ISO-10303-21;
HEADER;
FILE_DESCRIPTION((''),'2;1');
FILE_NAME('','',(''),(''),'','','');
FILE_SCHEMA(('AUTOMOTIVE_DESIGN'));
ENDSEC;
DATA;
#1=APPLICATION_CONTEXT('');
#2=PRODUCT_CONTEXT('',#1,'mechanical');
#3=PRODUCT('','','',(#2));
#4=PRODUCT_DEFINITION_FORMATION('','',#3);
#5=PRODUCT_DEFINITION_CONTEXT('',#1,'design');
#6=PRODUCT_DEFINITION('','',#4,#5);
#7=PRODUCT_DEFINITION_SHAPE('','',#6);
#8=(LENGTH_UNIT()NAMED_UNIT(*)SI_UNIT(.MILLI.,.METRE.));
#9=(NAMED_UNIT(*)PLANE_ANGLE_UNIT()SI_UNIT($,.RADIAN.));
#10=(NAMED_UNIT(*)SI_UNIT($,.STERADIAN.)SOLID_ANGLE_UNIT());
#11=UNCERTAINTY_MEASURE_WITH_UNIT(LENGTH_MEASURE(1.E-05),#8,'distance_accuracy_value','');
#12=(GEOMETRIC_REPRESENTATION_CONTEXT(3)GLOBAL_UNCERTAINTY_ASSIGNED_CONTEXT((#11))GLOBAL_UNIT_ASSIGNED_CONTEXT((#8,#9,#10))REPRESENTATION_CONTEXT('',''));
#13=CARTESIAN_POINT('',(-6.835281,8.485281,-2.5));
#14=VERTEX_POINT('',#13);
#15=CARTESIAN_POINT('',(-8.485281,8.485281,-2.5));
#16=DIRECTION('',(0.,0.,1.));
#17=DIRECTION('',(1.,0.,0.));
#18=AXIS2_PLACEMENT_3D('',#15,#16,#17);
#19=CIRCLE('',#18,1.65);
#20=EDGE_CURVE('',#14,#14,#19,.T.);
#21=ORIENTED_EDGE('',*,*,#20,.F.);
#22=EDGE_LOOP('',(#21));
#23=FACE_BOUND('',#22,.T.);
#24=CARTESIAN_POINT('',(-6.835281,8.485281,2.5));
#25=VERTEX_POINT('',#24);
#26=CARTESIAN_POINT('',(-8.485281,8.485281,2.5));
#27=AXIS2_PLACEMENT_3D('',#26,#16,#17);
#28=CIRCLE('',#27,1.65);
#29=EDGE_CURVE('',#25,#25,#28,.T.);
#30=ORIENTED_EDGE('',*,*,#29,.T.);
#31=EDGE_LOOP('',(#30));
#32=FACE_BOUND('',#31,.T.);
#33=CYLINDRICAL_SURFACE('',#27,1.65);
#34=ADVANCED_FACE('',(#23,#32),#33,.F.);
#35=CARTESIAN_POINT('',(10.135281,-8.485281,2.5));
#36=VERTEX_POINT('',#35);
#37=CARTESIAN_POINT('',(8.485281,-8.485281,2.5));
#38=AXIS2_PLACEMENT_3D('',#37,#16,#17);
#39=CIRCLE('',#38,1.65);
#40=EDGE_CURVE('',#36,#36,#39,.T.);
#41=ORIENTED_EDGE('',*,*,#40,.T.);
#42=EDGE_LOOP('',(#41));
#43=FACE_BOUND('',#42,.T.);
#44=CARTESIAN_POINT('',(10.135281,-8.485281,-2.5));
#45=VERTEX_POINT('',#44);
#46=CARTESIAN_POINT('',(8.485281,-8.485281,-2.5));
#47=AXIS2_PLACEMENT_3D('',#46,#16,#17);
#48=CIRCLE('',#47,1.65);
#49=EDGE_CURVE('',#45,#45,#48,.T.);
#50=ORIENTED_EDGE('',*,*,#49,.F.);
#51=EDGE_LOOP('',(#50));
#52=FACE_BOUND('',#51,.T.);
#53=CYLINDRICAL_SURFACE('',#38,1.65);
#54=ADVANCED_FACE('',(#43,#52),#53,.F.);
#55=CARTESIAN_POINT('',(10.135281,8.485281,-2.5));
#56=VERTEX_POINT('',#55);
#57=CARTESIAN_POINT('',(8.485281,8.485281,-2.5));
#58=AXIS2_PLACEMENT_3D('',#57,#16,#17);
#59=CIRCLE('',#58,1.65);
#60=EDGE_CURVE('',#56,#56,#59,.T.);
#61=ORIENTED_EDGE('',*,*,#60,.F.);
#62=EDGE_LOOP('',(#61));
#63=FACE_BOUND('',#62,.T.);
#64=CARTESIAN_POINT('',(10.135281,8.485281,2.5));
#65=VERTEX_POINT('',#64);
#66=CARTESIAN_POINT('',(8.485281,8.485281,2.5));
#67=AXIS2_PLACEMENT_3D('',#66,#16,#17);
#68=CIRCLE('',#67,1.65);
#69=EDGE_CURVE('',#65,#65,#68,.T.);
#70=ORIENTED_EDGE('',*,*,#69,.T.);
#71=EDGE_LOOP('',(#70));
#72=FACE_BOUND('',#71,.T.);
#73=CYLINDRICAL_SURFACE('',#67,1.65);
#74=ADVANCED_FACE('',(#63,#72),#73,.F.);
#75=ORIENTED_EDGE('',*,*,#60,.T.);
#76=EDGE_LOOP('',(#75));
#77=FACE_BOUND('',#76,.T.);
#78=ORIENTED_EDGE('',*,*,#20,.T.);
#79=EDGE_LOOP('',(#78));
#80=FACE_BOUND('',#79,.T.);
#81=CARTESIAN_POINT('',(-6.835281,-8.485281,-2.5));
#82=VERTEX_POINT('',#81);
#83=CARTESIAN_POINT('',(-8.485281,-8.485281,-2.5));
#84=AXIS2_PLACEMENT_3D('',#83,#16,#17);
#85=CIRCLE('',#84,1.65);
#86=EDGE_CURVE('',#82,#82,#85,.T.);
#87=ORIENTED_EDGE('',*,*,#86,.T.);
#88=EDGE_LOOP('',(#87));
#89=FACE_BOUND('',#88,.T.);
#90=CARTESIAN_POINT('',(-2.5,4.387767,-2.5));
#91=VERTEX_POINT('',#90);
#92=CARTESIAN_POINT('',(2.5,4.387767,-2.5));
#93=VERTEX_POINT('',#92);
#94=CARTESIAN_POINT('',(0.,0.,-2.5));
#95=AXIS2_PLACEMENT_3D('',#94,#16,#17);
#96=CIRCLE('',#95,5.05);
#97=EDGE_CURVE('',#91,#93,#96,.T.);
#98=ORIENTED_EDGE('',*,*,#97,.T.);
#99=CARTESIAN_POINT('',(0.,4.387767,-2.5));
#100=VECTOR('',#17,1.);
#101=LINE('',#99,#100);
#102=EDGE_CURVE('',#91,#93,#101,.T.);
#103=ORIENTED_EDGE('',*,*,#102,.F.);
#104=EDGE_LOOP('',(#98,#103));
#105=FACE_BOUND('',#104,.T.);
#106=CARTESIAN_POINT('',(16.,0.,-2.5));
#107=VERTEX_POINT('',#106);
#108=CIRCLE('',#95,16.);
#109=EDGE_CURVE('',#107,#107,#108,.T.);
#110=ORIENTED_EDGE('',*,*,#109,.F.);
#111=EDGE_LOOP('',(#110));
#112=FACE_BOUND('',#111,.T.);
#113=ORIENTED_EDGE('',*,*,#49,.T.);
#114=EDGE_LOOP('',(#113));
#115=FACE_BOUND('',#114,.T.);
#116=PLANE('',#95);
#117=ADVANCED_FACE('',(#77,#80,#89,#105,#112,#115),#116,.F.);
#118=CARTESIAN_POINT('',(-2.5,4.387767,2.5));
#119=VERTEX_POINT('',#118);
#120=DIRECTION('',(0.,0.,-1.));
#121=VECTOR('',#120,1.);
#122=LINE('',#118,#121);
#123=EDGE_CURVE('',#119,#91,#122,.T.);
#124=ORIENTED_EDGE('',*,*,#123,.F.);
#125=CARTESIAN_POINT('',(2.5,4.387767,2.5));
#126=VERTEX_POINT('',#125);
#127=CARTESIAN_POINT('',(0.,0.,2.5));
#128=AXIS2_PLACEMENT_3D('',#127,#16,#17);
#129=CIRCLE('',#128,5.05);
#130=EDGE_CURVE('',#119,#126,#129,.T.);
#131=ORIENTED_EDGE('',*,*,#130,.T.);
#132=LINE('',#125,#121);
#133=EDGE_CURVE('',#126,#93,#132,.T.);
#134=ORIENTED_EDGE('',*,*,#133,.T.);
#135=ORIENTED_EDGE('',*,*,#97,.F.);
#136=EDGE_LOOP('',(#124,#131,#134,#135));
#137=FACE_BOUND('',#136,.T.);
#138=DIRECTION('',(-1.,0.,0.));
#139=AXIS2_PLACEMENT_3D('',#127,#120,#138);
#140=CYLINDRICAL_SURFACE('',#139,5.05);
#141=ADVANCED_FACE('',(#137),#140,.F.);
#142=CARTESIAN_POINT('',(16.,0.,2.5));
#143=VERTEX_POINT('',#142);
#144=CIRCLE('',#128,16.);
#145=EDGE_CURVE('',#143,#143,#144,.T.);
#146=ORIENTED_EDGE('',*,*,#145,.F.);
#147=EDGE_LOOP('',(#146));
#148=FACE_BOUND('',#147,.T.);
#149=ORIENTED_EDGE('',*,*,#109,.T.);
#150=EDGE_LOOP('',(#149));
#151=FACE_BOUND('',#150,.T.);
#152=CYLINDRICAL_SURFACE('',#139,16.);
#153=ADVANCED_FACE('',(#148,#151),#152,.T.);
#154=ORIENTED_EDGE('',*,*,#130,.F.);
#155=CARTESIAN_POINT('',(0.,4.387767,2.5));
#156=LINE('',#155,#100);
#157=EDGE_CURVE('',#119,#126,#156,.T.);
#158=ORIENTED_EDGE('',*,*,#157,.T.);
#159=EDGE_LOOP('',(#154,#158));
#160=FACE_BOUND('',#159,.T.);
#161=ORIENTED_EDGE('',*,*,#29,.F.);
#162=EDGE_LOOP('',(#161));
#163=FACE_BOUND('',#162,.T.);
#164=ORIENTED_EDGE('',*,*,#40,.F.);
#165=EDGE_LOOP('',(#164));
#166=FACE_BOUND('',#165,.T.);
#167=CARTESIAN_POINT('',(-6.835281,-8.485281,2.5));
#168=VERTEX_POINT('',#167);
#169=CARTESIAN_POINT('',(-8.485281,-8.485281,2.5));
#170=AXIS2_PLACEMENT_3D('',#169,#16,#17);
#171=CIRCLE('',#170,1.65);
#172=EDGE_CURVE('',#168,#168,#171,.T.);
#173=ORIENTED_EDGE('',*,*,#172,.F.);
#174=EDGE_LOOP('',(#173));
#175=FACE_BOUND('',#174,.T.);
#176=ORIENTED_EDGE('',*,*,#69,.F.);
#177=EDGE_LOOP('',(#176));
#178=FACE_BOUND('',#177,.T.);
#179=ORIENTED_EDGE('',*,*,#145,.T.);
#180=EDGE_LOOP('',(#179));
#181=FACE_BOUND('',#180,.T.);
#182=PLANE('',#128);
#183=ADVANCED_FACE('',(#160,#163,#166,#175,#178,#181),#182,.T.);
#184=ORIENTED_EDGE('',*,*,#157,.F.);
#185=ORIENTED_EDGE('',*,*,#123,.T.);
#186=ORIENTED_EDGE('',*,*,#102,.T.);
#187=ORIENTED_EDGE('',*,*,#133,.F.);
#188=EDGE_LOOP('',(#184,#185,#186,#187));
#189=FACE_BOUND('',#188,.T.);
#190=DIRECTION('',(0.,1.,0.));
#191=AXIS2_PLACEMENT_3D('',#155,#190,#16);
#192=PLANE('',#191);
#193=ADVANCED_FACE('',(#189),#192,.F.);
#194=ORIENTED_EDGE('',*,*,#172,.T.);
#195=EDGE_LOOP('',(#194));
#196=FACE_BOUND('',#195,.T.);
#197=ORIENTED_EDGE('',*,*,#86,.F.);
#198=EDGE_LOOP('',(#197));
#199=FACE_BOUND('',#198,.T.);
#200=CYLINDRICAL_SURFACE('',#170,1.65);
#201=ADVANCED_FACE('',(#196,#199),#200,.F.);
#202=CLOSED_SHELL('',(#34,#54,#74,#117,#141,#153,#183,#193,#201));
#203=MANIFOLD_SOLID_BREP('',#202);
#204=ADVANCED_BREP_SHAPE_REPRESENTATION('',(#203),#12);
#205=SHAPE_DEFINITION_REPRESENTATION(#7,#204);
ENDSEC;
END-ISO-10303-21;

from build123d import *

# Parameters (mm, degrees)
SKETCH1_R                   = 16
BOSS_EXTRUDE1_DEPTH         = 2.5
TAP_DRILL_FOR_M4X0_7_TAP1_D = 3.3


with BuildPart() as part:
    # Sketch1 → Boss-Extrude1 (new body, symmetric)
    with BuildSketch(Plane.XY):
        Circle(SKETCH1_R)
        with BuildLine():
            Line((-2.5, 4.387767086), (2.5, 4.387767086))
            ThreePointArc((2.5, 4.387767086), (0, -5.05), (-2.5, 4.387767086))
        make_face(mode=Mode.SUBTRACT)
    extrude(amount=BOSS_EXTRUDE1_DEPTH, both=True)

    # Tap Drill for M4x0.7 Tap1 (through all)
    with Locations(Plane.XY.offset(2.5)):
        with Locations((8.485281374, 8.485281374), (-8.485281374, 8.485281374), (-8.485281374, -8.485281374), (8.485281374, -8.485281374)):
            Hole(TAP_DRILL_FOR_M4X0_7_TAP1_D / 2)


solid = part.part
